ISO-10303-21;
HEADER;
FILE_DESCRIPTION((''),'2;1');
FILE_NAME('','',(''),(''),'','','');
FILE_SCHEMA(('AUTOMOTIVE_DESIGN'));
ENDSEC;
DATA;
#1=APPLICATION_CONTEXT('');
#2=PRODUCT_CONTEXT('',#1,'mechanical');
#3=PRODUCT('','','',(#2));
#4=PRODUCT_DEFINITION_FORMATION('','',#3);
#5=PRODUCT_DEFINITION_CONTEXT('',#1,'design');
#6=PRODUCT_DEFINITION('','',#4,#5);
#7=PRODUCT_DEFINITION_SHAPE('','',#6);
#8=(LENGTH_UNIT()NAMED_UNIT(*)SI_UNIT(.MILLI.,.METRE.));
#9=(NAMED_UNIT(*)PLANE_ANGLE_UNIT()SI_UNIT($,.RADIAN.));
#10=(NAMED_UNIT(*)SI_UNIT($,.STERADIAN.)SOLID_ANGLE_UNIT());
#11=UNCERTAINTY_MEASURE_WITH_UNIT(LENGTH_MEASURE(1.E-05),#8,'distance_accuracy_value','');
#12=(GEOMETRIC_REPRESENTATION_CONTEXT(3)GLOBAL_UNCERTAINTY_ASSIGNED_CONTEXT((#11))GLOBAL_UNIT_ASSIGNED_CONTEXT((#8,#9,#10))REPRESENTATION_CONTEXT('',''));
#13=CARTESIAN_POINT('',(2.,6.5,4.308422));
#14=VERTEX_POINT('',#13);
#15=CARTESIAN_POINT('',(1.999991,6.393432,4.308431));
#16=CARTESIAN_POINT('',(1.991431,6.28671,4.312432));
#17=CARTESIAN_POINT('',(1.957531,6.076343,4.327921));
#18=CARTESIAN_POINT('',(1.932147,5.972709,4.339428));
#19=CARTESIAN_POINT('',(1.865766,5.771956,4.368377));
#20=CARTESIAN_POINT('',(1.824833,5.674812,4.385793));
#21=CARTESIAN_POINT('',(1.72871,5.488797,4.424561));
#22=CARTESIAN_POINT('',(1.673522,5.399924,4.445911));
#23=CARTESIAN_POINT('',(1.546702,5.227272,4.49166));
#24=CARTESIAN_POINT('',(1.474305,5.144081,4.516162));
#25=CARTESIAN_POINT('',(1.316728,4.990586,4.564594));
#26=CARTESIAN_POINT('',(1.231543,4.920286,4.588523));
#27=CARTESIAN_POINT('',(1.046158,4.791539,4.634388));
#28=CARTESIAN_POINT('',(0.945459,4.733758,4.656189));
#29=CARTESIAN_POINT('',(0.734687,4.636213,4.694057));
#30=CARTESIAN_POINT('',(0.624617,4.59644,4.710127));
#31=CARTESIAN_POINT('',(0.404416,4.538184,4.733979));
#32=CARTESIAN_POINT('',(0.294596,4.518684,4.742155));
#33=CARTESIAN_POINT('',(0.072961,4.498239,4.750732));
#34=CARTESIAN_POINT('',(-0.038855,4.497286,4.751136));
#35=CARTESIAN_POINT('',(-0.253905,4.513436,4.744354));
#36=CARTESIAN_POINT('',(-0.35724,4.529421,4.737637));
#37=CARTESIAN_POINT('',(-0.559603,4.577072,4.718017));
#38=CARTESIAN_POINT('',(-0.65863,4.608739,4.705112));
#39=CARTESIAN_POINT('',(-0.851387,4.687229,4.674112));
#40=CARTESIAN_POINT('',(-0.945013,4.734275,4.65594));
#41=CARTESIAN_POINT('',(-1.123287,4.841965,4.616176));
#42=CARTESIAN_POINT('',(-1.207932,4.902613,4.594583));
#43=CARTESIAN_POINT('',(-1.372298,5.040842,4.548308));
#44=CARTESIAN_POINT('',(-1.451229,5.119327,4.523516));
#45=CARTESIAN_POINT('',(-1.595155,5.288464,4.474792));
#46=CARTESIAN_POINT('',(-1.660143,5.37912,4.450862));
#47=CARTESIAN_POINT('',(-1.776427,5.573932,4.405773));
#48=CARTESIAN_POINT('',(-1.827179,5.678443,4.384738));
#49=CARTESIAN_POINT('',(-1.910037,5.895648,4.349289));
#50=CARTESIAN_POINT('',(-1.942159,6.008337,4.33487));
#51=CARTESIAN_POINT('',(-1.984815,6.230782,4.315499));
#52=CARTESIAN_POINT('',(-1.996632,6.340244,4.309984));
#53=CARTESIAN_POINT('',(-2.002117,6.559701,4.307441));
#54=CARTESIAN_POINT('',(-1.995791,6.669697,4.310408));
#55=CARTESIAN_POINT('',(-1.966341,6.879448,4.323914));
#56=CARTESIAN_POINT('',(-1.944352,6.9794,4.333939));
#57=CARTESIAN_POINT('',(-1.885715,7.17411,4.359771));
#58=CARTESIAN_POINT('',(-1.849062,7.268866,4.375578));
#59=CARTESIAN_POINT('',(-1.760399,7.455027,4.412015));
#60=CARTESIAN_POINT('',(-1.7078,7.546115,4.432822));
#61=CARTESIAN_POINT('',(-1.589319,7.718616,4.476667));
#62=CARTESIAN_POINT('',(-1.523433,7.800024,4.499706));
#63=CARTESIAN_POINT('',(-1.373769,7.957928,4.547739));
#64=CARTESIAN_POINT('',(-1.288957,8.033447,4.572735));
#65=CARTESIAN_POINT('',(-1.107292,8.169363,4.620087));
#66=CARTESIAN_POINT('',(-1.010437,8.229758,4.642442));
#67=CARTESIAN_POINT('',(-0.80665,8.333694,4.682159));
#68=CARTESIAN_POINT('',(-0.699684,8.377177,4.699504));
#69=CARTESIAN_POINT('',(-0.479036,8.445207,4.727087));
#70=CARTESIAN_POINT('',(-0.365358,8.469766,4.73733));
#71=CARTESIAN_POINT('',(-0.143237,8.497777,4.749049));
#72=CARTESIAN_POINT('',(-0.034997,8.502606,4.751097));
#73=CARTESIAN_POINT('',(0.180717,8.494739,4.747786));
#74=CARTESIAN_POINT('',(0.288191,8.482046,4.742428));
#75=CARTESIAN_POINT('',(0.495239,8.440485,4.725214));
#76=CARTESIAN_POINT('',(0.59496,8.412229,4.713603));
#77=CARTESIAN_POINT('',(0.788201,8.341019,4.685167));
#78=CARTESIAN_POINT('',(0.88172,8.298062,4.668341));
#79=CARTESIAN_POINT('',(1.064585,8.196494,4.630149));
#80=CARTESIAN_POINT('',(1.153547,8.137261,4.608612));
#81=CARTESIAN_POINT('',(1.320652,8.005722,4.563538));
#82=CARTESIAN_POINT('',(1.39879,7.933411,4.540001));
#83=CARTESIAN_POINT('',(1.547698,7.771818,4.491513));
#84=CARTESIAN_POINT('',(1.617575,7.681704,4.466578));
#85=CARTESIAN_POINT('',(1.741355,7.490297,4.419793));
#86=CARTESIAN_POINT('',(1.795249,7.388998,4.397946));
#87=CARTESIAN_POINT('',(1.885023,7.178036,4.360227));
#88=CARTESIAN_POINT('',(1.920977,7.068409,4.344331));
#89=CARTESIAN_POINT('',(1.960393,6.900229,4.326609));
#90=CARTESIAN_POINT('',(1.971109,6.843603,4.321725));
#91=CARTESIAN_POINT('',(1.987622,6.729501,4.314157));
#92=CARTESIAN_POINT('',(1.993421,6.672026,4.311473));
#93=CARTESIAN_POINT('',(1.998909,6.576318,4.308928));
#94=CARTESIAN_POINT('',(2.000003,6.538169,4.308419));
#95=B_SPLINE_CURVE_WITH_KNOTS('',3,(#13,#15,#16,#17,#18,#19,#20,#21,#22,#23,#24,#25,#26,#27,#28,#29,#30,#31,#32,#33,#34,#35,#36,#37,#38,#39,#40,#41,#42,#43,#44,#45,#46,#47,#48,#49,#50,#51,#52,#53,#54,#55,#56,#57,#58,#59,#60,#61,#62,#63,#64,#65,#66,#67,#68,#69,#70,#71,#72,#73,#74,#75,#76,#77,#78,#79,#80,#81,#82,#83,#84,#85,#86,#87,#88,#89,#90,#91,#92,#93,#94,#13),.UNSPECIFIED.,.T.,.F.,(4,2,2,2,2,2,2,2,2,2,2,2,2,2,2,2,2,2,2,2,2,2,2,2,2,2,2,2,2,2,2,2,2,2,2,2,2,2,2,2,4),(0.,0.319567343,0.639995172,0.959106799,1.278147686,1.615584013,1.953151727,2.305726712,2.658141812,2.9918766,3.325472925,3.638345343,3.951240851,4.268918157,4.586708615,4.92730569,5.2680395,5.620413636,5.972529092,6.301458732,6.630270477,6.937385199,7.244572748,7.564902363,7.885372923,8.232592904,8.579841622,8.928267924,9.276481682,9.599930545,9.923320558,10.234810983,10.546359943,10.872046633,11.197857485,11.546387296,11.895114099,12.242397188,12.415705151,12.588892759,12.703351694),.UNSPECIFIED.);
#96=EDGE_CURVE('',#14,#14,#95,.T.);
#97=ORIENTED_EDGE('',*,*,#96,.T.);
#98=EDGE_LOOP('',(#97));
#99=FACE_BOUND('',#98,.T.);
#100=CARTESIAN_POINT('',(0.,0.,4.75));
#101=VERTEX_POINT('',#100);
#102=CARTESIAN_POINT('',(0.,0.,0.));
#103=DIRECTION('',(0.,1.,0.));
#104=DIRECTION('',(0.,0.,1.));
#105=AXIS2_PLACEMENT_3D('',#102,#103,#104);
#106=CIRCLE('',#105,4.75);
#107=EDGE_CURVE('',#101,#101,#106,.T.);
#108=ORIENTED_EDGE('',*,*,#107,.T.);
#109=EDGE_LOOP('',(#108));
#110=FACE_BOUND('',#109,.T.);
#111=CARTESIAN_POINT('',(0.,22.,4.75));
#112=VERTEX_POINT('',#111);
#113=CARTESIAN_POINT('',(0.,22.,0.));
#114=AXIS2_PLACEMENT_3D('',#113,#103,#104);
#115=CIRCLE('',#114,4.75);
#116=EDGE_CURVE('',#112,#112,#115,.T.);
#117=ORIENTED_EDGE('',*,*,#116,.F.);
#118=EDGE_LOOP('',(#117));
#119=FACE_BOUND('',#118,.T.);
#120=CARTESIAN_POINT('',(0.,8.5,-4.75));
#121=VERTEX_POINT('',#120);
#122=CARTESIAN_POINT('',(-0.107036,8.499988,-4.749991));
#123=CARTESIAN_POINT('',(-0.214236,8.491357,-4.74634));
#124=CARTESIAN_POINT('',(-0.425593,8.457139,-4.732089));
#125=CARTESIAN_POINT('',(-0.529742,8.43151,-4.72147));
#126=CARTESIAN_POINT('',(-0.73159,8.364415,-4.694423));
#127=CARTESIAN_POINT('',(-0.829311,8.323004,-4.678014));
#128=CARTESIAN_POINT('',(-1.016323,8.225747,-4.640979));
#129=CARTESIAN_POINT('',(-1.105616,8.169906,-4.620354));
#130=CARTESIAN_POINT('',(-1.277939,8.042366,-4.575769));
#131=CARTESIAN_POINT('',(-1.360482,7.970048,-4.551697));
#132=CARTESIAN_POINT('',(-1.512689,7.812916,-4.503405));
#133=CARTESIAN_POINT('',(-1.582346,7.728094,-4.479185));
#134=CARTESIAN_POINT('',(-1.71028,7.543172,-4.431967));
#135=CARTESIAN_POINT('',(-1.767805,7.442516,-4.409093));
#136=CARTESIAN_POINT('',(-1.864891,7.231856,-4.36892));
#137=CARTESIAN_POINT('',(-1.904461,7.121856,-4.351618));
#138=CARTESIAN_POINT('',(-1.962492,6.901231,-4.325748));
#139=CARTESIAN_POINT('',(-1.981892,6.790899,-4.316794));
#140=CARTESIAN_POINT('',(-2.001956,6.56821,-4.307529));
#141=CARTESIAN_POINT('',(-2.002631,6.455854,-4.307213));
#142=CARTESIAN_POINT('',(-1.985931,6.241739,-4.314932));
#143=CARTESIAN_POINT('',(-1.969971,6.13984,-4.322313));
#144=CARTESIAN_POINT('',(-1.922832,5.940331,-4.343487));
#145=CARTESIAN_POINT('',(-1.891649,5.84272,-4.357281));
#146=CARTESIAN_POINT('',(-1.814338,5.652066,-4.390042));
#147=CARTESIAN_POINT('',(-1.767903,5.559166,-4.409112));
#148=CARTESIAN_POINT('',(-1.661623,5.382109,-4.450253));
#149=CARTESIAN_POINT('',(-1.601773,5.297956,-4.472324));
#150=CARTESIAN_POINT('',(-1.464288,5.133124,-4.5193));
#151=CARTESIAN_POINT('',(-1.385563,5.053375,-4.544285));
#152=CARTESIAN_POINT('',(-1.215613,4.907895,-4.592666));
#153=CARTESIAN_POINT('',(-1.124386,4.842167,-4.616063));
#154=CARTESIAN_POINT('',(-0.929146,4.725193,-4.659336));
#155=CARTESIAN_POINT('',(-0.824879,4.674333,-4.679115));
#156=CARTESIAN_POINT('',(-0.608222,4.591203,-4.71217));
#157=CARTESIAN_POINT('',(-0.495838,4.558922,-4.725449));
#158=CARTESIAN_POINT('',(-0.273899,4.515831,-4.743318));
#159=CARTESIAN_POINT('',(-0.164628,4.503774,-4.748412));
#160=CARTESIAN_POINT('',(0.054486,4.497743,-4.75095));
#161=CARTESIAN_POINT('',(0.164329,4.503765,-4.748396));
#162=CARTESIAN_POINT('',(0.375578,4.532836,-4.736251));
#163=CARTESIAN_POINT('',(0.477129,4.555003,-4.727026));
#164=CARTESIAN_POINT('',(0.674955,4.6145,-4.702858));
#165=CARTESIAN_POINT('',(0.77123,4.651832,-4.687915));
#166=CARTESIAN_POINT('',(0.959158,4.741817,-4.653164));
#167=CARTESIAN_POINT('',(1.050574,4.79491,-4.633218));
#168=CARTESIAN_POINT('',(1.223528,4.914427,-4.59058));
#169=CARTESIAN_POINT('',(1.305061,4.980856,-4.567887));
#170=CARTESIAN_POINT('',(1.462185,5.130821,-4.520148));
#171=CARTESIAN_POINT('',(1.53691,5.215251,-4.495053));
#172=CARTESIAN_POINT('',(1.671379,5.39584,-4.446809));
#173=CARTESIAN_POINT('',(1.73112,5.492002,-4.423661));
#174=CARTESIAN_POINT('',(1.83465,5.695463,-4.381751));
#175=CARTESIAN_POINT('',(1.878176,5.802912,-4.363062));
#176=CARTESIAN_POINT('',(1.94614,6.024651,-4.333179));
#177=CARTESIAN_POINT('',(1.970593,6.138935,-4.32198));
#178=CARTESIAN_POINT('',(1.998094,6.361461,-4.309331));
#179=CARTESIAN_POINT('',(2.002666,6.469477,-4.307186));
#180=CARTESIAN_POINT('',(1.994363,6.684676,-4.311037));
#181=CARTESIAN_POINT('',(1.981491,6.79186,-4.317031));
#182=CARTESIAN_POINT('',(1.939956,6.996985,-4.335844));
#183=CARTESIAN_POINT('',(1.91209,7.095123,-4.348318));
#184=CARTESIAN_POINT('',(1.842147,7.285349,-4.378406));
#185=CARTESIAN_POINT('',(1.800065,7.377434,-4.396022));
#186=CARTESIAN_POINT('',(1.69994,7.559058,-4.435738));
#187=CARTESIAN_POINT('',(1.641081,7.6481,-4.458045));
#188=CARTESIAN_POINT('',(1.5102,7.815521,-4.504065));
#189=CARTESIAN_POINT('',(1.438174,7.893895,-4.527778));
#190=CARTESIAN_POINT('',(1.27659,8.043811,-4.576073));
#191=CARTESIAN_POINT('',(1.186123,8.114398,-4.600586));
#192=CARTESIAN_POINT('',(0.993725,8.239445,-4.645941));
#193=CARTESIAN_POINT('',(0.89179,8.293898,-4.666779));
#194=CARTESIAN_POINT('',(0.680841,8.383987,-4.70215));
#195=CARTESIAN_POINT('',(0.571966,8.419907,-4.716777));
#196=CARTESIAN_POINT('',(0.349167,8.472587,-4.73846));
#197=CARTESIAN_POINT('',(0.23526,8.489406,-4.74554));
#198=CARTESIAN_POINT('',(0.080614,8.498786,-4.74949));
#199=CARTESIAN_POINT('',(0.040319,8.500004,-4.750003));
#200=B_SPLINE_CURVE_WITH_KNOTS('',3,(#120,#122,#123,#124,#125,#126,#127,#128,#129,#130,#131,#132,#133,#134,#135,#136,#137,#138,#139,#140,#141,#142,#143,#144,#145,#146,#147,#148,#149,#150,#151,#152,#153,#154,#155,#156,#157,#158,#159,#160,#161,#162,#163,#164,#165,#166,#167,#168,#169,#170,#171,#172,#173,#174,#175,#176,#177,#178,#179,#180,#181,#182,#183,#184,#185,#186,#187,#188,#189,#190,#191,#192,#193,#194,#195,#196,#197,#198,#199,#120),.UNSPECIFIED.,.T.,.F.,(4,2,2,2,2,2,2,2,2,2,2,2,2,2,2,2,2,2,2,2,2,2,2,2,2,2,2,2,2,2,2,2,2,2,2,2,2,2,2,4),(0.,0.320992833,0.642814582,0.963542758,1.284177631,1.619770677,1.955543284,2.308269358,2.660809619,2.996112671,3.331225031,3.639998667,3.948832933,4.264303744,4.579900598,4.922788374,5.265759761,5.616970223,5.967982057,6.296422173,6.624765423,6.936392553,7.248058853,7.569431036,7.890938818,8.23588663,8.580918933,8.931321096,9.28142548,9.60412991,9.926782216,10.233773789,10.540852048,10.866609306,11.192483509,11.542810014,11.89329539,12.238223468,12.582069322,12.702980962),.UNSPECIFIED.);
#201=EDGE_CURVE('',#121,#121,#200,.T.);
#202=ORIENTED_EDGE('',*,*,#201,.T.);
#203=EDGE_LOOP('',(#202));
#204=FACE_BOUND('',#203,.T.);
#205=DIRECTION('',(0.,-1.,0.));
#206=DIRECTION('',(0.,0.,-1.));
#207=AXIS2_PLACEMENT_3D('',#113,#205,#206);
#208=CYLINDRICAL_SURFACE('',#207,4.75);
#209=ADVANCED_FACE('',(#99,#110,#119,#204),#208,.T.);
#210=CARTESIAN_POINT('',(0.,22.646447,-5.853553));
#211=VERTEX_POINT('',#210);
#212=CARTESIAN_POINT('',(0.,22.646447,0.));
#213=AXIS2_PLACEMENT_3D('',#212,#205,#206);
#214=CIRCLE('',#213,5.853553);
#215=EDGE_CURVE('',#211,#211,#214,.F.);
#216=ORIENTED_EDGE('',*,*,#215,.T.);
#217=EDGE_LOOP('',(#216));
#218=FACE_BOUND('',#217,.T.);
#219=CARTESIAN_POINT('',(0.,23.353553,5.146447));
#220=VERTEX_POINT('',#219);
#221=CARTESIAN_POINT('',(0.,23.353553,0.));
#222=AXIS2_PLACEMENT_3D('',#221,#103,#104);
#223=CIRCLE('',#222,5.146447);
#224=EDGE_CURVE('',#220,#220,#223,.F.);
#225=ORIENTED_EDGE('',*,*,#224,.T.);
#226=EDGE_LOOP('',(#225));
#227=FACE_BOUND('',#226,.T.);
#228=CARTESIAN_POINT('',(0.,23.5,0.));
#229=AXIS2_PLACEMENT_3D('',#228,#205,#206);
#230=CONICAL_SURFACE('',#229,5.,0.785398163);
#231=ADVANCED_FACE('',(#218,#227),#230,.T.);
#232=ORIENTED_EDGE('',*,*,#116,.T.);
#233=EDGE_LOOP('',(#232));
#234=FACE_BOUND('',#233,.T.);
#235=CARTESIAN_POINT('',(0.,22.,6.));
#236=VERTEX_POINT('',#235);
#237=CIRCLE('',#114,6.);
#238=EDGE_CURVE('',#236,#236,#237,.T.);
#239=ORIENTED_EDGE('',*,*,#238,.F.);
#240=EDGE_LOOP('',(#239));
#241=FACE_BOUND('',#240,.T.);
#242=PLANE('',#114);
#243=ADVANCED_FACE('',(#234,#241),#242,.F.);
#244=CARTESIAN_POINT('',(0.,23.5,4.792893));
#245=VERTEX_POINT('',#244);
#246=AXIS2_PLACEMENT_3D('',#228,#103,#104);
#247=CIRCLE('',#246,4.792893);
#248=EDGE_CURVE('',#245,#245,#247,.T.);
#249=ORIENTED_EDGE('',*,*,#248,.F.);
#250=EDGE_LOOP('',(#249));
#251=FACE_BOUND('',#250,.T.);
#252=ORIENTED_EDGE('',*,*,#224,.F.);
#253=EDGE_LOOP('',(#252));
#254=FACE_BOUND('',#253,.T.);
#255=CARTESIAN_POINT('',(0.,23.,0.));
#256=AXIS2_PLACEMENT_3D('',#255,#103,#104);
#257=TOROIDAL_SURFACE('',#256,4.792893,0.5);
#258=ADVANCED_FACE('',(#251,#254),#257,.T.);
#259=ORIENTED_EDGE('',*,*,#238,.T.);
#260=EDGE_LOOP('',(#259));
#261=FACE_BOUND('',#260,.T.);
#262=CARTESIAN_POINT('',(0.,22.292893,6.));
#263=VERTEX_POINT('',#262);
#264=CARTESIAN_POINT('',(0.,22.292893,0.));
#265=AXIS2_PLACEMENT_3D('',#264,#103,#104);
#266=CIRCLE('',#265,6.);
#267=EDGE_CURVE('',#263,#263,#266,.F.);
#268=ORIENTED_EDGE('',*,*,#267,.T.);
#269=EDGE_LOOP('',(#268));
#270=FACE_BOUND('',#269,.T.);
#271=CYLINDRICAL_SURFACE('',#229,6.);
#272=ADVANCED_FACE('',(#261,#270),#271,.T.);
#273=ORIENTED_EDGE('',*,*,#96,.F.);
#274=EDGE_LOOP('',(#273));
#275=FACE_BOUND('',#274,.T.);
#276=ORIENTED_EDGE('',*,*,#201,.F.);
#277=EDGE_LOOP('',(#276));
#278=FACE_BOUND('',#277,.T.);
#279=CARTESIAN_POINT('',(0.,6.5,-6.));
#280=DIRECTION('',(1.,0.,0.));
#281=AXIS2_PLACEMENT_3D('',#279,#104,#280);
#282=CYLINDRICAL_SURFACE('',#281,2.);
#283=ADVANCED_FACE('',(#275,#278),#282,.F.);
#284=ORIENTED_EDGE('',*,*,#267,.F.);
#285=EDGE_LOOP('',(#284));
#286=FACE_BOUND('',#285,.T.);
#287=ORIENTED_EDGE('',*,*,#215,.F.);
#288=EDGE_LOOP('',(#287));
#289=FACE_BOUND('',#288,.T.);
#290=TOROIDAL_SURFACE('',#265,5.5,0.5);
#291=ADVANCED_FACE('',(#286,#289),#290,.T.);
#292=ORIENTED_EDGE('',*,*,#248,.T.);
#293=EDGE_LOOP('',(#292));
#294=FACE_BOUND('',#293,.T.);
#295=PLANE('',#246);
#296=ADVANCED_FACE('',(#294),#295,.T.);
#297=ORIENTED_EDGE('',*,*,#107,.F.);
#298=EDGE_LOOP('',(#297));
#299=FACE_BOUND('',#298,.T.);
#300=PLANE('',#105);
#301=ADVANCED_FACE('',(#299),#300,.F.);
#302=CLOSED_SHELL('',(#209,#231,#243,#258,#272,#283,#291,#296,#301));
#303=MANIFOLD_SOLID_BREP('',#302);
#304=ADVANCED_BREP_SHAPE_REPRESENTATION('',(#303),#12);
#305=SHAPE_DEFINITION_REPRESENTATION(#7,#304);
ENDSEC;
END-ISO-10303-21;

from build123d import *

# Parameters (mm, degrees)
SKETCH1_R               = 4.75
BOSS_EXTRUDE1_DEPTH     = 22
SKETCH2_R               = 6
BOSS_EXTRUDE2_DEPTH     = 1.5
CHAMFER1_SIZE           = 1
FILLET1_R               = 0.5
CUT_EXTRUDE1_DEPTH      = 25.984995545
CUT_EXTRUDE1_DEPTH_BACK = 25.984995545
SKETCH3_R               = 2


with BuildPart() as part:
    # Sketch1 → Boss-Extrude1 (new body)
    with BuildSketch(Plane(origin=(0, 0, 0), x_dir=(1, 0, 0), z_dir=(0, 1, 0))):
        with Locations(Location((0, 0, 0), (0, 0, 270))):
            Circle(SKETCH1_R)
    extrude(amount=BOSS_EXTRUDE1_DEPTH)

    # Sketch2 → Boss-Extrude2 (add)
    with BuildSketch(Plane(origin=(0, 22, 0), x_dir=(1, 0, 0), z_dir=(0, 1, 0))):
        with Locations(Location((0, 0, 0), (0, 0, 270))):
            Circle(SKETCH2_R)
    extrude(amount=BOSS_EXTRUDE2_DEPTH)

    # Chamfer1
    chamfer1_edges = [part.edges().sort_by_distance(p)[0] for p in [
        (0, 23.5, -6),
    ]]
    chamfer(chamfer1_edges, length=CHAMFER1_SIZE)

    # Fillet1
    fillet1_edges = [part.edges().sort_by_distance(p)[0] for p in [
        (0, 23.5, -5),
        (0, 22.5, -6),
    ]]
    fillet(fillet1_edges, radius=FILLET1_R)

    # Sketch3 → Cut-Extrude1 (cut, two sides: drawn at the far end of the back side and taken through both)
    with BuildSketch(Plane.XY.offset(-CUT_EXTRUDE1_DEPTH_BACK)):
        with Locations(Location((0, 6.5, 0), (0, 0, 90))):
            Circle(SKETCH3_R)
    extrude(amount=CUT_EXTRUDE1_DEPTH + CUT_EXTRUDE1_DEPTH_BACK, mode=Mode.SUBTRACT)


solid = part.part
